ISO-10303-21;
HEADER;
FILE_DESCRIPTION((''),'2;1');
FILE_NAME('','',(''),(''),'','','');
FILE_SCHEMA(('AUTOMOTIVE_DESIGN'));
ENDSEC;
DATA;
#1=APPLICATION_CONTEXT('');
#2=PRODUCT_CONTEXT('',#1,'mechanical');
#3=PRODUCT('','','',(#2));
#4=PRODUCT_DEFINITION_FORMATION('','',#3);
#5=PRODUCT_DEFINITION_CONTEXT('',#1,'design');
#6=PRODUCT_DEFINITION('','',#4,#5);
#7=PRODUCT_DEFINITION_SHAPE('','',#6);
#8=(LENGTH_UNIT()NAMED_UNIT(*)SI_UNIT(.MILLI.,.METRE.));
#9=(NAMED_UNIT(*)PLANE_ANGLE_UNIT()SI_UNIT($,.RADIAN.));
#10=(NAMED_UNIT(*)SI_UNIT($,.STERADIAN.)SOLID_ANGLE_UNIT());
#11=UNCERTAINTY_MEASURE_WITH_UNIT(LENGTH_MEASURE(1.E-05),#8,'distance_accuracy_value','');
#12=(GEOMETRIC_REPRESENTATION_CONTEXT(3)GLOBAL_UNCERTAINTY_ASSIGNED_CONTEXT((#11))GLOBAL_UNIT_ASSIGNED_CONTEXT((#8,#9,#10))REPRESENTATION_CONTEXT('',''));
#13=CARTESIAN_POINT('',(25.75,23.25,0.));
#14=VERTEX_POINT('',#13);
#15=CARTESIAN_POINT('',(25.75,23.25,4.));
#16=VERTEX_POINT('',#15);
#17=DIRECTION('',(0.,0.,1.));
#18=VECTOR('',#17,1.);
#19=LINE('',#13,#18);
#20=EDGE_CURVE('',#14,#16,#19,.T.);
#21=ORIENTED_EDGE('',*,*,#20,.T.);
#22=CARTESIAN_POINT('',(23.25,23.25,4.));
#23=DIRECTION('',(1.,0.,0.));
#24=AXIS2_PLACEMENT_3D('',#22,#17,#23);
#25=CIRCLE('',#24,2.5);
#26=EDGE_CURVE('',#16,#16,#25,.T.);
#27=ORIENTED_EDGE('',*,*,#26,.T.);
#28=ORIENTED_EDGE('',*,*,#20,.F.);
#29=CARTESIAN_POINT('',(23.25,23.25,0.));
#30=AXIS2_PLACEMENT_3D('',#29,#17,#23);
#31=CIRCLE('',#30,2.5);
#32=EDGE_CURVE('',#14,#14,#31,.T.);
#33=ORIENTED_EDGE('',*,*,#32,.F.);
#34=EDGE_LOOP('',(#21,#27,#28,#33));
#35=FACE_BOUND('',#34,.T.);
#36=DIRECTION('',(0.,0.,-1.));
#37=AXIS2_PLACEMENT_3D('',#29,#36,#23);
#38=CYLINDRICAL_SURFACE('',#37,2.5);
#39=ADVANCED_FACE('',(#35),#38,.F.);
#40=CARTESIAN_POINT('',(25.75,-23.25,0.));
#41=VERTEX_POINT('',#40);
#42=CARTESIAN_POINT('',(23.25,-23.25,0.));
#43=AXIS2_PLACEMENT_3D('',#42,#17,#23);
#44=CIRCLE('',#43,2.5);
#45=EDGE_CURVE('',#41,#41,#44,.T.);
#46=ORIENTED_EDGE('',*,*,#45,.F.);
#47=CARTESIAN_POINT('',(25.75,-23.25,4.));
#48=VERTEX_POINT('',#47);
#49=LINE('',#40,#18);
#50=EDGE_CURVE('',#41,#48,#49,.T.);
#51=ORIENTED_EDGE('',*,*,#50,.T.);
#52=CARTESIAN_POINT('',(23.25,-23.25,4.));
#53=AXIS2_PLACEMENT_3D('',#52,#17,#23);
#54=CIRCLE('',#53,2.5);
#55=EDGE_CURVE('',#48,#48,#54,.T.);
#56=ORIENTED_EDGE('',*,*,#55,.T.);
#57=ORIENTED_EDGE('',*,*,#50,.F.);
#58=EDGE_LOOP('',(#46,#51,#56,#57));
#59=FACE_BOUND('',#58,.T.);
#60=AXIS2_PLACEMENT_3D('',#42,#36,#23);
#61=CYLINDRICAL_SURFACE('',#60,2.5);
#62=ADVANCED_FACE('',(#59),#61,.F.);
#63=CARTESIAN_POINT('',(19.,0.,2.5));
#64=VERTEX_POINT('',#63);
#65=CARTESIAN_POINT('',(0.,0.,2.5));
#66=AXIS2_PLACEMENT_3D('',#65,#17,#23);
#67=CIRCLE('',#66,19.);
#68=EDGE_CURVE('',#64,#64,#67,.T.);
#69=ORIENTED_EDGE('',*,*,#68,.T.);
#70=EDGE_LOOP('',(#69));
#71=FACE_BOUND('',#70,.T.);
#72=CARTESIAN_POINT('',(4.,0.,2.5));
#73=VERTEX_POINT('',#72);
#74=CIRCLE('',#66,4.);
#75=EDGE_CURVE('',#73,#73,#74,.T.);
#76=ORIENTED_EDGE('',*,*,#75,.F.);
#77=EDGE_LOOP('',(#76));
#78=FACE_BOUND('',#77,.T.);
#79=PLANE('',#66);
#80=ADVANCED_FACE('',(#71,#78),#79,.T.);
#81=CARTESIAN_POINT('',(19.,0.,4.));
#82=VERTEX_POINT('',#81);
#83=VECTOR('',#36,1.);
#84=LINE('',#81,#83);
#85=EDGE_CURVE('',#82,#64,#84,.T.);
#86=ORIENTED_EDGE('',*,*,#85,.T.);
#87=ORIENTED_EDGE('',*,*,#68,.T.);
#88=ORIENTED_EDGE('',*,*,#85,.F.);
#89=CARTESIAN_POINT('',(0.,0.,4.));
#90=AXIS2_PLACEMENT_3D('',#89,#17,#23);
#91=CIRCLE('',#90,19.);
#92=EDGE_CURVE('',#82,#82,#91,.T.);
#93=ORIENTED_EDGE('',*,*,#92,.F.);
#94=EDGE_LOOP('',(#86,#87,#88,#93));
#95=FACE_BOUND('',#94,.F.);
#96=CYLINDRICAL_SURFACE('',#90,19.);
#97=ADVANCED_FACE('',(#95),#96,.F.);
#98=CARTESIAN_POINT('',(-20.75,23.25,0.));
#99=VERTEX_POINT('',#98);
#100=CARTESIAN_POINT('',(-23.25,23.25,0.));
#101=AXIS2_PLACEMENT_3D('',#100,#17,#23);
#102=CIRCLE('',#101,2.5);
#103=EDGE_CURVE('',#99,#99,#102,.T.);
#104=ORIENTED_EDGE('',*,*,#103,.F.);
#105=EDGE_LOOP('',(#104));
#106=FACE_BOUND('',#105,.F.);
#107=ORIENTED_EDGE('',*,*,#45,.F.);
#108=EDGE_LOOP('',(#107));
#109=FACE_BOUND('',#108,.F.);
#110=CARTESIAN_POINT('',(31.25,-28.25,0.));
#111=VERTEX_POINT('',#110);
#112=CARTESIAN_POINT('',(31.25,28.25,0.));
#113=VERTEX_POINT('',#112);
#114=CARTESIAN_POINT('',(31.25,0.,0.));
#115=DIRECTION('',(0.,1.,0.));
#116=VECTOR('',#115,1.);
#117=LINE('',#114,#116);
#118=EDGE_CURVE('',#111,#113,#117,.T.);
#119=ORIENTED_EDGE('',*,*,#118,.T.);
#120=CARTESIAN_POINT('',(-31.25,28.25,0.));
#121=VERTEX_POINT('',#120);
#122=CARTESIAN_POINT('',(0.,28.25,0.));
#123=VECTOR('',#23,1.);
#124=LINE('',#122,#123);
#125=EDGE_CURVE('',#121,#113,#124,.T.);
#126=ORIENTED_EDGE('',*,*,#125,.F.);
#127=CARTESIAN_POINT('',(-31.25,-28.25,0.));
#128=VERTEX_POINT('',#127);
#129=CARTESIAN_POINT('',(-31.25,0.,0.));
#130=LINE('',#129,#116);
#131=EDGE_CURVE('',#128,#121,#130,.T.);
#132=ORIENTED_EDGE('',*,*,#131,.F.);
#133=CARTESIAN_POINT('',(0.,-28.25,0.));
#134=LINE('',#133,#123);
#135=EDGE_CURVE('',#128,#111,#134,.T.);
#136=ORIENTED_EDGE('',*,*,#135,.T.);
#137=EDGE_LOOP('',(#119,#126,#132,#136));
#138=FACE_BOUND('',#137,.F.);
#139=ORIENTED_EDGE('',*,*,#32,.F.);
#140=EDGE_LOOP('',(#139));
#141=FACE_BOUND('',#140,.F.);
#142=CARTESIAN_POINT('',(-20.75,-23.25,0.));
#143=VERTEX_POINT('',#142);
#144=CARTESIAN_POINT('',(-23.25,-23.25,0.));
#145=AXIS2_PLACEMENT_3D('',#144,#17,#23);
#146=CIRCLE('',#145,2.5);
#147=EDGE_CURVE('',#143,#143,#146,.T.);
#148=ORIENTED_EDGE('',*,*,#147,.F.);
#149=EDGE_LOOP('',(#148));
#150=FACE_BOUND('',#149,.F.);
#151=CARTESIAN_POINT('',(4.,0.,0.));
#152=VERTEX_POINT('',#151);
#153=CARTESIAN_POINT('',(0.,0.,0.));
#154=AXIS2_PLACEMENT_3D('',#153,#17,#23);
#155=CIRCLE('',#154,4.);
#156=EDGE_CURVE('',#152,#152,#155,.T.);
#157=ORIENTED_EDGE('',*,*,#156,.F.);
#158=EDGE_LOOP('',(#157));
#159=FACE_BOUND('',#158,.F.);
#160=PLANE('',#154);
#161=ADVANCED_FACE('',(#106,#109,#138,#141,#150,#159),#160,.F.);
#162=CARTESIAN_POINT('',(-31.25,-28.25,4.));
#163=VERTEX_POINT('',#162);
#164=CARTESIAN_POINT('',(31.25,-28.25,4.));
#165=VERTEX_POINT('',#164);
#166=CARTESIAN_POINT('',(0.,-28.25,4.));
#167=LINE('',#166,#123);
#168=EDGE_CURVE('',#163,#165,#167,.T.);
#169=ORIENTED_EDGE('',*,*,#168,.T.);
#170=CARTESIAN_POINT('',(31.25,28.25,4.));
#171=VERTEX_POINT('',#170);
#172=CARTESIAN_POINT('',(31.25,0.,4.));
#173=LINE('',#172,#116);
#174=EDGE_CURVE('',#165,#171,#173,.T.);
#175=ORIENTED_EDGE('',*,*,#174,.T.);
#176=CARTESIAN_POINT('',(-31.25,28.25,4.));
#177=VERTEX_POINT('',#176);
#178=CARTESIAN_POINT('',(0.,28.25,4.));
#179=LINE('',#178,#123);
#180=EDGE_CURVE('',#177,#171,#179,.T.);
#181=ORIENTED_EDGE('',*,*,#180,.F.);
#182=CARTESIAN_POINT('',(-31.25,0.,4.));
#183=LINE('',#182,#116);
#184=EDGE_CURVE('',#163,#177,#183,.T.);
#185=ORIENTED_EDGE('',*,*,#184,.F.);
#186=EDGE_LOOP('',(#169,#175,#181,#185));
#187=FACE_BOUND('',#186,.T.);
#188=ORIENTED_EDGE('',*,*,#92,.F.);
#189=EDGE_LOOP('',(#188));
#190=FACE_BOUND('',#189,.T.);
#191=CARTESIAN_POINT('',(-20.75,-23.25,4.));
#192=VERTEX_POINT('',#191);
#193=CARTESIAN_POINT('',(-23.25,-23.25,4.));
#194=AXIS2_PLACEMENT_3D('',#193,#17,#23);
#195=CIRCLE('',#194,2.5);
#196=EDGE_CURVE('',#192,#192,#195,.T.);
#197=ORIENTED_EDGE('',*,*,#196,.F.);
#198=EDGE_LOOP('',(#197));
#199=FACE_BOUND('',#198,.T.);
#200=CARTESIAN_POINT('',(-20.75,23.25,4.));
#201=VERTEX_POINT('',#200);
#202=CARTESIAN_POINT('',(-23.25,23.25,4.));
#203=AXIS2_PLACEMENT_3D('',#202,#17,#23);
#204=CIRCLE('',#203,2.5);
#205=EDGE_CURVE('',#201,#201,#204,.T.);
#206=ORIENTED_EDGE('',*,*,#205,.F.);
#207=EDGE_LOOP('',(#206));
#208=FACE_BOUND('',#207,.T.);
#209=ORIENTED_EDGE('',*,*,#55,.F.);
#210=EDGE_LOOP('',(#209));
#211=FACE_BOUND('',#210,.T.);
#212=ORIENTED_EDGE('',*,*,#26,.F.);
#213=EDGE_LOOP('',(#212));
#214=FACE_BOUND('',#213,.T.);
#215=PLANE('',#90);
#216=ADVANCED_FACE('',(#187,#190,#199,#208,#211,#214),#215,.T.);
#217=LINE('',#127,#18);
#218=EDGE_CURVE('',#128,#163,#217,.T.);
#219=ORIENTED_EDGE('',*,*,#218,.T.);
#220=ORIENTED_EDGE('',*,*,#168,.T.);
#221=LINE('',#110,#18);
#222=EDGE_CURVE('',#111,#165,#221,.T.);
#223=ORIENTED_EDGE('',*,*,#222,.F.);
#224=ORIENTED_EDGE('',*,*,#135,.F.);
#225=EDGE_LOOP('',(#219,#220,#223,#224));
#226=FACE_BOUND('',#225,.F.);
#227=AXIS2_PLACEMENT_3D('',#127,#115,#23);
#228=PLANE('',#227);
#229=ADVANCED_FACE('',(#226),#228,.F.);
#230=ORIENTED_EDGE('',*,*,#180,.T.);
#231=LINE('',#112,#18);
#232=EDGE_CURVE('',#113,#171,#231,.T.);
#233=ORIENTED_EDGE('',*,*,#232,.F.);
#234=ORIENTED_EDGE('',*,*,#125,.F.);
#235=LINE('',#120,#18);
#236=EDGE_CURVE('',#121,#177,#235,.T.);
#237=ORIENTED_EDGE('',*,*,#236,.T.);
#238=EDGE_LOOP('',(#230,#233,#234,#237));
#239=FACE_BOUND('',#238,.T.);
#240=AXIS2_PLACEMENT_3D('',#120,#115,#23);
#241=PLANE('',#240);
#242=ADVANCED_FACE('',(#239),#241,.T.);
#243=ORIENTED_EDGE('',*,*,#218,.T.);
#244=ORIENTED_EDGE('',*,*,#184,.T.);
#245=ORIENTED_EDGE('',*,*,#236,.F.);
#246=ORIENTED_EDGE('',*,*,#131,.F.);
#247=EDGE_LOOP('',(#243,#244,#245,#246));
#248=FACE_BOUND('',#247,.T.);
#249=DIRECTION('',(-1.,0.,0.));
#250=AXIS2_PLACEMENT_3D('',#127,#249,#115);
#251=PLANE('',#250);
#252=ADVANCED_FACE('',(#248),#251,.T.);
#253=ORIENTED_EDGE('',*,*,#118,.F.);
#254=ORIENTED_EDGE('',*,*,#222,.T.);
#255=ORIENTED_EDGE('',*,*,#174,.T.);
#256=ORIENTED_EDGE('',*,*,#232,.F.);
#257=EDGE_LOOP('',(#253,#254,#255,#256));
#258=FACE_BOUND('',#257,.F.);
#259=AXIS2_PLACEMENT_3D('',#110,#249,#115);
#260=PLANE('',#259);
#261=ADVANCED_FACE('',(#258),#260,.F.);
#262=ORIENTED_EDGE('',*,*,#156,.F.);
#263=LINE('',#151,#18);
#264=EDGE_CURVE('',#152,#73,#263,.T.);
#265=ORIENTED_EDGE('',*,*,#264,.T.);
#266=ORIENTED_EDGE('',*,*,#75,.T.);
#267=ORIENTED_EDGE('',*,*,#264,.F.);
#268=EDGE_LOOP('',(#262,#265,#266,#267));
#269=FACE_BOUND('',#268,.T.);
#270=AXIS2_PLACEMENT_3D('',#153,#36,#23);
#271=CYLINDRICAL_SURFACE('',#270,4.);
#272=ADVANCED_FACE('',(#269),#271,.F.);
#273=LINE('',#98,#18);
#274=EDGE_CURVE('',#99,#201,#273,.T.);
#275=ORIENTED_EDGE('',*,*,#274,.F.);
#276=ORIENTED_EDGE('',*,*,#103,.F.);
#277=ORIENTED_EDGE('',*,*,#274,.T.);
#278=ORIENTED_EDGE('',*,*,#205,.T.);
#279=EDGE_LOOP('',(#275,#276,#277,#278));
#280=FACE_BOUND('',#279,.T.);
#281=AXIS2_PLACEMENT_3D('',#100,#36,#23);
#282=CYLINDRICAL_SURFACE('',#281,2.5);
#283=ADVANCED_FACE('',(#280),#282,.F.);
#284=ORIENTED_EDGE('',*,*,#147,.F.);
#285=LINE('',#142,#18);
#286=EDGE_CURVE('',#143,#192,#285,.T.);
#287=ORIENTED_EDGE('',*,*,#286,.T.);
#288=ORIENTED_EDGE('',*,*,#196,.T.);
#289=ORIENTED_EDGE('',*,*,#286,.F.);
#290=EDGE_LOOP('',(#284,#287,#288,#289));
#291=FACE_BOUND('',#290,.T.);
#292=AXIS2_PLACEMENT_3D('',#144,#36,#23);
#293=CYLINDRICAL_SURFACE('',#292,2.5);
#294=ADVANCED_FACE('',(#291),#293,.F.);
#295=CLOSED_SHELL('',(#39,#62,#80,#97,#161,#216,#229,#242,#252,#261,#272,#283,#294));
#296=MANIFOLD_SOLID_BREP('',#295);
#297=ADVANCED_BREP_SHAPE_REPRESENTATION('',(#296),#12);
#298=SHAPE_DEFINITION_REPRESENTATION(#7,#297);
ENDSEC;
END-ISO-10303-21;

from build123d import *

# Parameters (mm, degrees)
SKETCH_W      = 62.5
SKETCH_H      = 56.5
SKETCH_R      = 2.5
SKETCH_R_2    = 4
PAD_DEPTH     = 4
SKETCH001_R   = 19
SKETCH001_R_2 = 4
POCKET_DEPTH  = 1.5


with BuildPart() as part:
    # Sketch → Pad (new body)
    with BuildSketch(Plane.XY):
        Rectangle(SKETCH_W, SKETCH_H)
        with Locations((23.25, -23.25)):
            Circle(SKETCH_R, mode=Mode.SUBTRACT)
        with Locations((23.25, 23.25)):
            Circle(SKETCH_R, mode=Mode.SUBTRACT)
        with Locations((-23.25, 23.25)):
            Circle(SKETCH_R, mode=Mode.SUBTRACT)
        with Locations((-23.25, -23.25)):
            Circle(SKETCH_R, mode=Mode.SUBTRACT)
        Circle(SKETCH_R_2, mode=Mode.SUBTRACT)
    extrude(amount=PAD_DEPTH)

    # Sketch001 (on Face11 of Pad) → Pocket (cut)
    with BuildSketch(Plane.XY.offset(4)):
        Circle(SKETCH001_R)
        Circle(SKETCH001_R_2, mode=Mode.SUBTRACT)
    extrude(amount=-POCKET_DEPTH, mode=Mode.SUBTRACT)


solid = part.part
